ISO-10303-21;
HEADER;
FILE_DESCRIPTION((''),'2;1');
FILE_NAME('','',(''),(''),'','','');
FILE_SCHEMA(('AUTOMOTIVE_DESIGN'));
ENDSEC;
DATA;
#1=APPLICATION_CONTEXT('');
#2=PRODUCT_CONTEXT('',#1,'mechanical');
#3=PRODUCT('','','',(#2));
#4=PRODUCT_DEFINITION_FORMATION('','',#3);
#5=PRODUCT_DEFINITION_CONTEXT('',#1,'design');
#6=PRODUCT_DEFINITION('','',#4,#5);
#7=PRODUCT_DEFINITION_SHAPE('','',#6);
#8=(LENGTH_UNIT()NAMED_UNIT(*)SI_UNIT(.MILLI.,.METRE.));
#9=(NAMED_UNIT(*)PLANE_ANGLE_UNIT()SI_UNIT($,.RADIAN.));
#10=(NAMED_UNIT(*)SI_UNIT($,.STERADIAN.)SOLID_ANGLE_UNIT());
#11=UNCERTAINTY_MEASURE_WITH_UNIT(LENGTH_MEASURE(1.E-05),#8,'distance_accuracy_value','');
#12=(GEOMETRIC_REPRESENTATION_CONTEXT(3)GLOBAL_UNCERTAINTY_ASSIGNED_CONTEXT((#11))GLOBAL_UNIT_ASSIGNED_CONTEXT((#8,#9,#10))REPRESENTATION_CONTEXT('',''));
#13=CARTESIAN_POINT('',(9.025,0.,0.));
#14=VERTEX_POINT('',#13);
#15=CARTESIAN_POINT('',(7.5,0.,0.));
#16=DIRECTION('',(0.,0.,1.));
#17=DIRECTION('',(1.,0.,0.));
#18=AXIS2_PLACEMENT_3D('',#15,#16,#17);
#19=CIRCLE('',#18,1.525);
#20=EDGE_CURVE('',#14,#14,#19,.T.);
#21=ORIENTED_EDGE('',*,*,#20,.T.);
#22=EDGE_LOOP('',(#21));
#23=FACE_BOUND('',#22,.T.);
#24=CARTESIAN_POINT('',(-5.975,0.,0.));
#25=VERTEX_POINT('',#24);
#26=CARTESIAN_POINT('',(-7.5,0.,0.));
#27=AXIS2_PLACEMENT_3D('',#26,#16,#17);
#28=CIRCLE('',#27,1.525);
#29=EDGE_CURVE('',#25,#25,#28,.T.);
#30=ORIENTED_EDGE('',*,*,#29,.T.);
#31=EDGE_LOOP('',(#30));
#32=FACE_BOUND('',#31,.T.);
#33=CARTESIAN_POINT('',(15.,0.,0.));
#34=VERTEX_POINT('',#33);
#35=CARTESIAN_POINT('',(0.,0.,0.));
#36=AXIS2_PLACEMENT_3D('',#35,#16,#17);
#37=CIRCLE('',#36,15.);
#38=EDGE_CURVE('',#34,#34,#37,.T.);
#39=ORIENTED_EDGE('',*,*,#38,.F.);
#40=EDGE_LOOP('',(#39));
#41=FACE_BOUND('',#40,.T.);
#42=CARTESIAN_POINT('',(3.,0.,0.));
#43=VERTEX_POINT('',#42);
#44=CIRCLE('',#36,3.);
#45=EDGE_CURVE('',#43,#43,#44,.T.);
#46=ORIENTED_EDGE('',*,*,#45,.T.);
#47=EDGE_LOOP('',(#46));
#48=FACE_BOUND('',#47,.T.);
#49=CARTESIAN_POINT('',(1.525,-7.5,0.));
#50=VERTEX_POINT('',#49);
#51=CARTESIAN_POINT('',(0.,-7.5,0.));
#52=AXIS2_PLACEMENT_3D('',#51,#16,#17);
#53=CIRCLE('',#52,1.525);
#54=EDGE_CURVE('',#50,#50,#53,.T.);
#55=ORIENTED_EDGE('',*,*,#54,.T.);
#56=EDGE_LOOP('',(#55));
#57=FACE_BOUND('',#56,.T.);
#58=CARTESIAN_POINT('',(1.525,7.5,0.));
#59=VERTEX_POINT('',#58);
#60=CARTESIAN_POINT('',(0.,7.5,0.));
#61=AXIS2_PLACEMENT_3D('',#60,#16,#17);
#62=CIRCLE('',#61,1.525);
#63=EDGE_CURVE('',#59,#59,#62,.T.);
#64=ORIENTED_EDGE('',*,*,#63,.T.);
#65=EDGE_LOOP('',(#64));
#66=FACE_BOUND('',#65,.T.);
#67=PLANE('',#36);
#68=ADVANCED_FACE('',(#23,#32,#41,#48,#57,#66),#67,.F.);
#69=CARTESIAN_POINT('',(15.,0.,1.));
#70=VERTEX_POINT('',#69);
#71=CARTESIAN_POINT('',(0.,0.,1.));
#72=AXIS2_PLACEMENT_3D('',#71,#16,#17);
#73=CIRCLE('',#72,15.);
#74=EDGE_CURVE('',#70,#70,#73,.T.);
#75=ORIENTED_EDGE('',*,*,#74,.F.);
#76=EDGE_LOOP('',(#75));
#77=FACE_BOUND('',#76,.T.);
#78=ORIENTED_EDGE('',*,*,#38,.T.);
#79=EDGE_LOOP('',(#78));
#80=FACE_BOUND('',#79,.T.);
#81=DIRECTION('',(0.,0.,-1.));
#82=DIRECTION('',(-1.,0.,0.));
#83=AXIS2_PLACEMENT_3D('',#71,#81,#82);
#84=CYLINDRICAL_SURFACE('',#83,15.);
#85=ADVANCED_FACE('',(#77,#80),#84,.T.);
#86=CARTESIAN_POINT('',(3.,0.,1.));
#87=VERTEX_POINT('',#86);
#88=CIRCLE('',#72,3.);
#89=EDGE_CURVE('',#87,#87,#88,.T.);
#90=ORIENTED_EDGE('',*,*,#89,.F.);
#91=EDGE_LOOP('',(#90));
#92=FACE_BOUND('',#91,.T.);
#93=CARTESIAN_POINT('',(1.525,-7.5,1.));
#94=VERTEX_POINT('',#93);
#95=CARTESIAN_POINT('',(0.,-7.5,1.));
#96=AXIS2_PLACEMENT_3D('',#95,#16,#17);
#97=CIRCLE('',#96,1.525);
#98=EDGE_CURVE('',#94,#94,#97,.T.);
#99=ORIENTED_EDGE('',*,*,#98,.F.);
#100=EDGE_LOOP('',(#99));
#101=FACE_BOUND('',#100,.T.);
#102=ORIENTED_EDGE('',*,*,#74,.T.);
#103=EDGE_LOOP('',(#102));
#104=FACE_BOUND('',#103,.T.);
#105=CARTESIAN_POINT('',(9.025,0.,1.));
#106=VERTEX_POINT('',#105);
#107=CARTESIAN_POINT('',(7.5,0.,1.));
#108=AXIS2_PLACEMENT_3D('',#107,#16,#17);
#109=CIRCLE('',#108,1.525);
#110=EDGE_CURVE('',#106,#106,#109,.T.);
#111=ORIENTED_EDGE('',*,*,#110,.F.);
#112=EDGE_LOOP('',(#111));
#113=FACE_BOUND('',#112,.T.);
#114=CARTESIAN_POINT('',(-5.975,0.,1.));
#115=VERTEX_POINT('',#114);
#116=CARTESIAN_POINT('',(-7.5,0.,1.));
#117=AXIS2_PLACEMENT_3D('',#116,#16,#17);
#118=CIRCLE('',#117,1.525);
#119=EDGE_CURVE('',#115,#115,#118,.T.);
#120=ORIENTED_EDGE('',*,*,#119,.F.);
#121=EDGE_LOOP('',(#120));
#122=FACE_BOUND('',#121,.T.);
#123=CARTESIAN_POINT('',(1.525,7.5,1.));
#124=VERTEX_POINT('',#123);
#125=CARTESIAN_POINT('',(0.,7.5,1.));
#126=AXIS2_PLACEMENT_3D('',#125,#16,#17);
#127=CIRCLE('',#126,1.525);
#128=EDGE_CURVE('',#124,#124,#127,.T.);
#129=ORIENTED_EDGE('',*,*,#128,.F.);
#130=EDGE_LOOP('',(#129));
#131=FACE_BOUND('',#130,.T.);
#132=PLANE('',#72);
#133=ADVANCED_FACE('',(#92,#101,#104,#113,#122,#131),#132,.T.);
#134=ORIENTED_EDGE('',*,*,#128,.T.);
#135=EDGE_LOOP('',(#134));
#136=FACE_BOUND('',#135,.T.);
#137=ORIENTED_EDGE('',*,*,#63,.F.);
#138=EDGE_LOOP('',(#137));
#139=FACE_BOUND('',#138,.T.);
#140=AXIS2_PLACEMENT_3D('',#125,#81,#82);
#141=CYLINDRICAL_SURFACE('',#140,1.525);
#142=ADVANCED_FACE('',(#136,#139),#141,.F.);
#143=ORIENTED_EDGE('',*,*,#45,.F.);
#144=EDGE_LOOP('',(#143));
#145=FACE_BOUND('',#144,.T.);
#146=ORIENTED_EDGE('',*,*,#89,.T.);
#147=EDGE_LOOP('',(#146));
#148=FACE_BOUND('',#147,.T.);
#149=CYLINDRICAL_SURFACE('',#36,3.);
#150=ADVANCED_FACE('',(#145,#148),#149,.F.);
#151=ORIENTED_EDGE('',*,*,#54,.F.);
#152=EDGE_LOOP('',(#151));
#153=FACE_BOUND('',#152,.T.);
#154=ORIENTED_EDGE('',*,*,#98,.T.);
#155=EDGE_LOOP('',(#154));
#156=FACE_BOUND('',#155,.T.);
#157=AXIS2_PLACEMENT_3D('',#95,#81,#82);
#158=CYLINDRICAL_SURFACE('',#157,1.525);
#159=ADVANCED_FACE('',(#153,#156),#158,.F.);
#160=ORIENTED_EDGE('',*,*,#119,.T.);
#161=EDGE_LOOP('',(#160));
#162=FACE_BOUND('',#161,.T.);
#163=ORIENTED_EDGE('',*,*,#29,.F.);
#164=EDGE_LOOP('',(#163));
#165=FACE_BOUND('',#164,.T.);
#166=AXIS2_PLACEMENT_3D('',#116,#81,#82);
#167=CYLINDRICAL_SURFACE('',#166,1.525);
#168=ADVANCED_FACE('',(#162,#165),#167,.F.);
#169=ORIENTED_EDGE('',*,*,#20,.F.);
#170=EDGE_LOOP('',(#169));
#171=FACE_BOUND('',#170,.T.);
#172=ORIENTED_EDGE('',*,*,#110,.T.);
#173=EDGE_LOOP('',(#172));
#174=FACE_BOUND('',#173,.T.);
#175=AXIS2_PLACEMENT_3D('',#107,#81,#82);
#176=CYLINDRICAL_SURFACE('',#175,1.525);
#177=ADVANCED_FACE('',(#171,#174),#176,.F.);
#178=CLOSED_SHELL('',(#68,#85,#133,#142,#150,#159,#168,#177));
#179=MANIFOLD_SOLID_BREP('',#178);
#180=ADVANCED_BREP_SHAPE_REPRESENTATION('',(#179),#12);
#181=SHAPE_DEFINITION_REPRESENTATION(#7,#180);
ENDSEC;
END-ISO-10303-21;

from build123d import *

# Parameters (mm, degrees)
SKETCH_1_R          = 15
SKETCH_1_R_2        = 1.525
EXTRUDE_1_DEPTH     = 1
SKETCH_3_R          = 3
CUT_EXTRUDE_2_DEPTH = 1


with BuildPart() as part:
    # 草图1 → 凸台-拉伸1 (new body)
    with BuildSketch(Plane.XY):
        Circle(SKETCH_1_R)
        with Locations((0, 7.5)):
            Circle(SKETCH_1_R_2, mode=Mode.SUBTRACT)
        with Locations((7.5, 0)):
            Circle(SKETCH_1_R_2, mode=Mode.SUBTRACT)
        with Locations((0, -7.5)):
            Circle(SKETCH_1_R_2, mode=Mode.SUBTRACT)
        with Locations((-7.5, 0)):
            Circle(SKETCH_1_R_2, mode=Mode.SUBTRACT)
    extrude(amount=EXTRUDE_1_DEPTH)

    # 草图3 → 切除-拉伸2 (cut)
    with BuildSketch(Plane.XY.offset(1)):
        Circle(SKETCH_3_R)
    extrude(amount=-CUT_EXTRUDE_2_DEPTH, mode=Mode.SUBTRACT)


solid = part.part
